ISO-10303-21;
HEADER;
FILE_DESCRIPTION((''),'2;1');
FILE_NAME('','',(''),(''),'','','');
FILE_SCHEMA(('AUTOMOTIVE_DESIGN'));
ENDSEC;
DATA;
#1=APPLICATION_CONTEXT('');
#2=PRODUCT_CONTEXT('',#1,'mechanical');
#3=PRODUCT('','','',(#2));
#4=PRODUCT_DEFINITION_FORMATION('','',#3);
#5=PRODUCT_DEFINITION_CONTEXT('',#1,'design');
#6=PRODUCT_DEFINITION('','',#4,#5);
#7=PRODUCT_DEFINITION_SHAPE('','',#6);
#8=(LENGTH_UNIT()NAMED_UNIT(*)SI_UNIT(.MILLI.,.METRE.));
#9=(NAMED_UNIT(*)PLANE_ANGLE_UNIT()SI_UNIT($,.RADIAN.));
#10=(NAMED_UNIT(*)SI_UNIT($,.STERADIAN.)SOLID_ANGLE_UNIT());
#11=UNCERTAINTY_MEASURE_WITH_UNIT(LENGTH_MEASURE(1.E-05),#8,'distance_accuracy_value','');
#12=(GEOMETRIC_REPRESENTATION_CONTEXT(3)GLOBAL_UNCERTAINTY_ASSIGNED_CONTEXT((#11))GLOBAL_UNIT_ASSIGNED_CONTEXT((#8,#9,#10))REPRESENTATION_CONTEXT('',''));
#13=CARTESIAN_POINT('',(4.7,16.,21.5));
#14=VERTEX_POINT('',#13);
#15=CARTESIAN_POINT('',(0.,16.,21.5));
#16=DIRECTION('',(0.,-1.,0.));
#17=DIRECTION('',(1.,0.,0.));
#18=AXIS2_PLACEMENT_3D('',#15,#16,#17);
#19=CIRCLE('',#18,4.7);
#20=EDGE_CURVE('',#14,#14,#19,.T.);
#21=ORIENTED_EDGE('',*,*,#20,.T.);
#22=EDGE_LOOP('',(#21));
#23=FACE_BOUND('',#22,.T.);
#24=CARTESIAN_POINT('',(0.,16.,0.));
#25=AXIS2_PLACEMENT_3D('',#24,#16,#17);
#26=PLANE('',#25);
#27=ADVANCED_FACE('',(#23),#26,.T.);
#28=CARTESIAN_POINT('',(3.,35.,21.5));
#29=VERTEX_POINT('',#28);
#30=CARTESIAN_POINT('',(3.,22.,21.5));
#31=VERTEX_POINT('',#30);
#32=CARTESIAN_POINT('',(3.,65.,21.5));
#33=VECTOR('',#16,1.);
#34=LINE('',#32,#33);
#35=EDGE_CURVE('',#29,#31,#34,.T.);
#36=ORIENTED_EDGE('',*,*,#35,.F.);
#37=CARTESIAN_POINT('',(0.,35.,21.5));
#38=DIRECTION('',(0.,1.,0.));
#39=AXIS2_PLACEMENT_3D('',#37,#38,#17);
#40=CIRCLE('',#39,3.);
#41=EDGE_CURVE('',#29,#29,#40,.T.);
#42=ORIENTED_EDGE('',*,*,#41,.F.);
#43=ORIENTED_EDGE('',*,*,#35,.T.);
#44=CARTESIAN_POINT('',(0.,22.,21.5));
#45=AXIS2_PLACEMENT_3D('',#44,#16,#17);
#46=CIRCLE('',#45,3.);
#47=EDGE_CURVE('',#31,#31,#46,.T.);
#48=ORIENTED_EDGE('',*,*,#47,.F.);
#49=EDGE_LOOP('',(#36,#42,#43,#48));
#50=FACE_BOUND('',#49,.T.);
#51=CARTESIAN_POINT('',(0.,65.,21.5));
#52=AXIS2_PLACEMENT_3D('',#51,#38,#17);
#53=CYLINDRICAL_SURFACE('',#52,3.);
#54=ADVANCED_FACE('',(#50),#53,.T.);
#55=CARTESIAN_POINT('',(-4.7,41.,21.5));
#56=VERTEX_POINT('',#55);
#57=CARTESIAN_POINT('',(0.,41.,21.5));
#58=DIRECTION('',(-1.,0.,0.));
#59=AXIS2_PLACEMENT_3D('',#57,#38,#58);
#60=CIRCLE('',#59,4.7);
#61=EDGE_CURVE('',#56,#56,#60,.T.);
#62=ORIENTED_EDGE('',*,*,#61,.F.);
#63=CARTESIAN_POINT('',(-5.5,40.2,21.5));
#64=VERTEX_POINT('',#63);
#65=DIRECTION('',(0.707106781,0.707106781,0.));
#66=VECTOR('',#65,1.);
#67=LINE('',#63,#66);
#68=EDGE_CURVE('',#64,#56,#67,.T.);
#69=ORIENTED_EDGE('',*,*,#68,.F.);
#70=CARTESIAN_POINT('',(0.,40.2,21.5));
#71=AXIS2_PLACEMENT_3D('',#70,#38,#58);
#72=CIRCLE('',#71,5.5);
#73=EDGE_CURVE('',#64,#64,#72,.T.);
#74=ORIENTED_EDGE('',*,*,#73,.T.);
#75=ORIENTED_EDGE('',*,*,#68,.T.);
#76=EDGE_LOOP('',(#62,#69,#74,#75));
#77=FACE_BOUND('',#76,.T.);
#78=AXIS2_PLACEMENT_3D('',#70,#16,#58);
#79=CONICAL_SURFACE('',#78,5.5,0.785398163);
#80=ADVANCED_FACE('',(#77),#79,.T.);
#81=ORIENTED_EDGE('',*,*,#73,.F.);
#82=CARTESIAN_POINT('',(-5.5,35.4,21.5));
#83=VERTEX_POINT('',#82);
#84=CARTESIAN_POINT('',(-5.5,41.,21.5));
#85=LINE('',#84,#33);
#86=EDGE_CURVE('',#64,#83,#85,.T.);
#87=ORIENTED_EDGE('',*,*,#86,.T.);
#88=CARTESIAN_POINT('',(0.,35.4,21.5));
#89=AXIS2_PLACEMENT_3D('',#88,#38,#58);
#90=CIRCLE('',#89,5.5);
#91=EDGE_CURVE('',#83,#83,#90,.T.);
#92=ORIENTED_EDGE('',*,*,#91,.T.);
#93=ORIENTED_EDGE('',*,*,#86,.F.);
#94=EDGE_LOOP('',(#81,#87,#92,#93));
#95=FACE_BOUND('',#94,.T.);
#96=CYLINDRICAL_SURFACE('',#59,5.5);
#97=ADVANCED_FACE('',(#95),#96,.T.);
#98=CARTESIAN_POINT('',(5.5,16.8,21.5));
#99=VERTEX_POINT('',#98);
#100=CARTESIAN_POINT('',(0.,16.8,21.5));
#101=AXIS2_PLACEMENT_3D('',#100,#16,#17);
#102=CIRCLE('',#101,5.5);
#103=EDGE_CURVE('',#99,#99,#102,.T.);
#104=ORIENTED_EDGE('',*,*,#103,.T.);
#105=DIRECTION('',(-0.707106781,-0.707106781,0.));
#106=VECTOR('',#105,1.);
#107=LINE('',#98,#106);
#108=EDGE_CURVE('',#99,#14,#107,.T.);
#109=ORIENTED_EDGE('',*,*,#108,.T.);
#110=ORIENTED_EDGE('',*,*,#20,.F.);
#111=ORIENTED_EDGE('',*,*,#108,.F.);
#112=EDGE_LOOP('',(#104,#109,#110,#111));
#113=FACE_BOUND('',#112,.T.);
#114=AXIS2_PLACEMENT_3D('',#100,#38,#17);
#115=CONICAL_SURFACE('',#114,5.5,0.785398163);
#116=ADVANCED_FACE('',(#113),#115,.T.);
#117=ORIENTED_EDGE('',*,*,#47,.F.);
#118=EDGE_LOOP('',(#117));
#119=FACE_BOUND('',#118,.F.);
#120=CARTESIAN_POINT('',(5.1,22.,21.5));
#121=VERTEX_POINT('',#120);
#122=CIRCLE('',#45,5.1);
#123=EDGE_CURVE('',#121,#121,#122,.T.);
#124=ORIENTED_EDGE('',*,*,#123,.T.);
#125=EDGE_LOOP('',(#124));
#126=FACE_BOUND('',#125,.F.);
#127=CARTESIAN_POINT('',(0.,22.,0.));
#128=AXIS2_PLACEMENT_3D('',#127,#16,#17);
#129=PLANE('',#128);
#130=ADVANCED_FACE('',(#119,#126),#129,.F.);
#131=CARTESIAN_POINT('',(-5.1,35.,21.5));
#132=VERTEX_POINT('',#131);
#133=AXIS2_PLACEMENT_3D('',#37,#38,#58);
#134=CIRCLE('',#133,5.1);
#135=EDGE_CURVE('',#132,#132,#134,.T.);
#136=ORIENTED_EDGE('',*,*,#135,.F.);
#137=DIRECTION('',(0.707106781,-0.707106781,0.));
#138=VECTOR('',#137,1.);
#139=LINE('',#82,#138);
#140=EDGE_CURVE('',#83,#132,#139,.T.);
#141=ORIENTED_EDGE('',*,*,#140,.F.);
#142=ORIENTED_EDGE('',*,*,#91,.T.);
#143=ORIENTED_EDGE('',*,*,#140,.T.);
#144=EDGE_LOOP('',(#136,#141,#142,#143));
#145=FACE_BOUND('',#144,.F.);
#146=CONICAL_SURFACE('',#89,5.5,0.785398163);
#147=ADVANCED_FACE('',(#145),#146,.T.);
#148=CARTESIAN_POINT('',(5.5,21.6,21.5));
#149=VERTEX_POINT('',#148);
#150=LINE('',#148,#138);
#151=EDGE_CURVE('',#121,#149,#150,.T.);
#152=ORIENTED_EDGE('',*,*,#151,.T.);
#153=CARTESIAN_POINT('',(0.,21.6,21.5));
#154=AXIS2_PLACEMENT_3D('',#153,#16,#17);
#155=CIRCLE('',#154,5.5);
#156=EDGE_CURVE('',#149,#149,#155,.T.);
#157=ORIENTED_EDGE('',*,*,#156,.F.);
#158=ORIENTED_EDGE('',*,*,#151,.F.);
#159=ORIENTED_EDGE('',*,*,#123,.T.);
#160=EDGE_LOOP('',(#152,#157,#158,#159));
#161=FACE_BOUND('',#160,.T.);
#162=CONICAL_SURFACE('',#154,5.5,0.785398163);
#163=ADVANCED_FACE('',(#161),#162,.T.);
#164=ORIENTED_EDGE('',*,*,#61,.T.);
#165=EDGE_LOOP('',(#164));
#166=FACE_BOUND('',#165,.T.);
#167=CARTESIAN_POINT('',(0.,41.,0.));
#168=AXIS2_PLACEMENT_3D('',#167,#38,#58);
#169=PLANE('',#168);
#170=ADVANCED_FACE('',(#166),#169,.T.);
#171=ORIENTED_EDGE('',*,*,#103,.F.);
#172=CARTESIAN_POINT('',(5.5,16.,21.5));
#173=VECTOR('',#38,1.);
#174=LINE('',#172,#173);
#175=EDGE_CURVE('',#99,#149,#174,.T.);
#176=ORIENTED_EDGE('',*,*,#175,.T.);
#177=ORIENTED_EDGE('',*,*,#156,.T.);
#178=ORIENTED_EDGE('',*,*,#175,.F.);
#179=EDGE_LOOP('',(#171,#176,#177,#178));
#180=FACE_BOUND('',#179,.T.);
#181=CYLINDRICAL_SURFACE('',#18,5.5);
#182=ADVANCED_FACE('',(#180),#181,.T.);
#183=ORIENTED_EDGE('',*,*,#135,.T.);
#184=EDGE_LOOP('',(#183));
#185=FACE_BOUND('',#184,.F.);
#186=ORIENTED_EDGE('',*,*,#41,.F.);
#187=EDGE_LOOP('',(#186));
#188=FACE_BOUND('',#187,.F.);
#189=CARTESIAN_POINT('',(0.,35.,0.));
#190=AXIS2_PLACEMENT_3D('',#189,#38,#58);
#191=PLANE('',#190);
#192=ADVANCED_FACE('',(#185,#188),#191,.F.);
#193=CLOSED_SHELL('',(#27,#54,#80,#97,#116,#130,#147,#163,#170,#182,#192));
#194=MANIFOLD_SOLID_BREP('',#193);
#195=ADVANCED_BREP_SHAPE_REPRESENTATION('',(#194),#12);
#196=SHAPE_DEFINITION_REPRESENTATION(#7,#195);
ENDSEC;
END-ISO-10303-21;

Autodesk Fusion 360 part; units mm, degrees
sketch "PinWay" plane through (0, 65, 0) normal (0, 1, 0) x (1, 0, 0)
  line L0 (0, 0) -> (0, -30) construction
  line L1 (0, -30) -> (4.125, -30)
  line L2 (4.125, -30) -> (4.125, -25.8571)
  line L3 (-4.125, -30) -> (-4.125, -25.8571)
  line L4 (0, -30) -> (-4.125, -30)
  arc A0 (4.125, -25.8571) -> (-4.125, -25.8571) centre (0, -21.5) ccw
  circle A1 centre (0, -21.5) radius 5.5
  circle A2 centre (0, -21.5) radius 3
  dimension "d1" = 0
  dimension "d2" = 0
  dimension "d3" = 0
  dimension "d4" = 0
  dimension "d5" = 11
  dimension "d6" = 0
extrude "Extrude1" add sketch "PinWay" against normal blind 49 contours A2
extrude "Extrude2" cut sketch "PinWay" against normal blind 24 contours A2
sketch "Sketch6" plane through (0, 16, 0) normal (0, -1, 0) x (1, 0, 0)
  circle A0 centre (0, 21.5) radius 3
  circle A1 centre (0, 21.5) radius 5.5
  dimension "d171" = 11
sketch "Sketch7" plane through (0, 41, 0) normal (0, 1, 0) x (-1, 0, 0)
  circle A0 centre (0, 21.5) radius 3
  circle A1 centre (0, 21.5) radius 5.5
extrude "Extrude3" add sketch "Sketch6" against normal blind 6
extrude "Extrude4" add sketch "Sketch7" against normal blind 6
chamfer "Chamfer3" distance 0.8 angle 45 2 edges at (-5.1278, 16, 19.5111) (5.1278, 41, 19.5111)
chamfer "Chamfer4" distance 0.4 angle 45 2 edges at (-5.1278, 22, 23.4889) (5.1278, 35, 23.4889)
chamfer "Chamfer1" [suppressed]
chamfer "Chamfer2" [suppressed]
equation "d167 = TopPinBlank"
equation "d169 = TopPinBlank + TopPinLength"
equation "d171 = Pin"
equation "d173 = -1 * SpoolPinEnds"
equation "d175 = -1 * SpoolPinEnds"
equation "Pin = 11 mm"
equation "TopPinLength = 25 mm"
equation "TopPinBlank = -49 mm"
equation "SpoolPinEnds = 6 mm"
equation "d1 = PinWayDiameter"
equation "d2 = PinWayDepth"
equation "d3 = BodyThickness"
equation "d4 = PinWayOpening / 2"
equation "d5 = Pin"
equation "d6 = SpoolPinCenter"
